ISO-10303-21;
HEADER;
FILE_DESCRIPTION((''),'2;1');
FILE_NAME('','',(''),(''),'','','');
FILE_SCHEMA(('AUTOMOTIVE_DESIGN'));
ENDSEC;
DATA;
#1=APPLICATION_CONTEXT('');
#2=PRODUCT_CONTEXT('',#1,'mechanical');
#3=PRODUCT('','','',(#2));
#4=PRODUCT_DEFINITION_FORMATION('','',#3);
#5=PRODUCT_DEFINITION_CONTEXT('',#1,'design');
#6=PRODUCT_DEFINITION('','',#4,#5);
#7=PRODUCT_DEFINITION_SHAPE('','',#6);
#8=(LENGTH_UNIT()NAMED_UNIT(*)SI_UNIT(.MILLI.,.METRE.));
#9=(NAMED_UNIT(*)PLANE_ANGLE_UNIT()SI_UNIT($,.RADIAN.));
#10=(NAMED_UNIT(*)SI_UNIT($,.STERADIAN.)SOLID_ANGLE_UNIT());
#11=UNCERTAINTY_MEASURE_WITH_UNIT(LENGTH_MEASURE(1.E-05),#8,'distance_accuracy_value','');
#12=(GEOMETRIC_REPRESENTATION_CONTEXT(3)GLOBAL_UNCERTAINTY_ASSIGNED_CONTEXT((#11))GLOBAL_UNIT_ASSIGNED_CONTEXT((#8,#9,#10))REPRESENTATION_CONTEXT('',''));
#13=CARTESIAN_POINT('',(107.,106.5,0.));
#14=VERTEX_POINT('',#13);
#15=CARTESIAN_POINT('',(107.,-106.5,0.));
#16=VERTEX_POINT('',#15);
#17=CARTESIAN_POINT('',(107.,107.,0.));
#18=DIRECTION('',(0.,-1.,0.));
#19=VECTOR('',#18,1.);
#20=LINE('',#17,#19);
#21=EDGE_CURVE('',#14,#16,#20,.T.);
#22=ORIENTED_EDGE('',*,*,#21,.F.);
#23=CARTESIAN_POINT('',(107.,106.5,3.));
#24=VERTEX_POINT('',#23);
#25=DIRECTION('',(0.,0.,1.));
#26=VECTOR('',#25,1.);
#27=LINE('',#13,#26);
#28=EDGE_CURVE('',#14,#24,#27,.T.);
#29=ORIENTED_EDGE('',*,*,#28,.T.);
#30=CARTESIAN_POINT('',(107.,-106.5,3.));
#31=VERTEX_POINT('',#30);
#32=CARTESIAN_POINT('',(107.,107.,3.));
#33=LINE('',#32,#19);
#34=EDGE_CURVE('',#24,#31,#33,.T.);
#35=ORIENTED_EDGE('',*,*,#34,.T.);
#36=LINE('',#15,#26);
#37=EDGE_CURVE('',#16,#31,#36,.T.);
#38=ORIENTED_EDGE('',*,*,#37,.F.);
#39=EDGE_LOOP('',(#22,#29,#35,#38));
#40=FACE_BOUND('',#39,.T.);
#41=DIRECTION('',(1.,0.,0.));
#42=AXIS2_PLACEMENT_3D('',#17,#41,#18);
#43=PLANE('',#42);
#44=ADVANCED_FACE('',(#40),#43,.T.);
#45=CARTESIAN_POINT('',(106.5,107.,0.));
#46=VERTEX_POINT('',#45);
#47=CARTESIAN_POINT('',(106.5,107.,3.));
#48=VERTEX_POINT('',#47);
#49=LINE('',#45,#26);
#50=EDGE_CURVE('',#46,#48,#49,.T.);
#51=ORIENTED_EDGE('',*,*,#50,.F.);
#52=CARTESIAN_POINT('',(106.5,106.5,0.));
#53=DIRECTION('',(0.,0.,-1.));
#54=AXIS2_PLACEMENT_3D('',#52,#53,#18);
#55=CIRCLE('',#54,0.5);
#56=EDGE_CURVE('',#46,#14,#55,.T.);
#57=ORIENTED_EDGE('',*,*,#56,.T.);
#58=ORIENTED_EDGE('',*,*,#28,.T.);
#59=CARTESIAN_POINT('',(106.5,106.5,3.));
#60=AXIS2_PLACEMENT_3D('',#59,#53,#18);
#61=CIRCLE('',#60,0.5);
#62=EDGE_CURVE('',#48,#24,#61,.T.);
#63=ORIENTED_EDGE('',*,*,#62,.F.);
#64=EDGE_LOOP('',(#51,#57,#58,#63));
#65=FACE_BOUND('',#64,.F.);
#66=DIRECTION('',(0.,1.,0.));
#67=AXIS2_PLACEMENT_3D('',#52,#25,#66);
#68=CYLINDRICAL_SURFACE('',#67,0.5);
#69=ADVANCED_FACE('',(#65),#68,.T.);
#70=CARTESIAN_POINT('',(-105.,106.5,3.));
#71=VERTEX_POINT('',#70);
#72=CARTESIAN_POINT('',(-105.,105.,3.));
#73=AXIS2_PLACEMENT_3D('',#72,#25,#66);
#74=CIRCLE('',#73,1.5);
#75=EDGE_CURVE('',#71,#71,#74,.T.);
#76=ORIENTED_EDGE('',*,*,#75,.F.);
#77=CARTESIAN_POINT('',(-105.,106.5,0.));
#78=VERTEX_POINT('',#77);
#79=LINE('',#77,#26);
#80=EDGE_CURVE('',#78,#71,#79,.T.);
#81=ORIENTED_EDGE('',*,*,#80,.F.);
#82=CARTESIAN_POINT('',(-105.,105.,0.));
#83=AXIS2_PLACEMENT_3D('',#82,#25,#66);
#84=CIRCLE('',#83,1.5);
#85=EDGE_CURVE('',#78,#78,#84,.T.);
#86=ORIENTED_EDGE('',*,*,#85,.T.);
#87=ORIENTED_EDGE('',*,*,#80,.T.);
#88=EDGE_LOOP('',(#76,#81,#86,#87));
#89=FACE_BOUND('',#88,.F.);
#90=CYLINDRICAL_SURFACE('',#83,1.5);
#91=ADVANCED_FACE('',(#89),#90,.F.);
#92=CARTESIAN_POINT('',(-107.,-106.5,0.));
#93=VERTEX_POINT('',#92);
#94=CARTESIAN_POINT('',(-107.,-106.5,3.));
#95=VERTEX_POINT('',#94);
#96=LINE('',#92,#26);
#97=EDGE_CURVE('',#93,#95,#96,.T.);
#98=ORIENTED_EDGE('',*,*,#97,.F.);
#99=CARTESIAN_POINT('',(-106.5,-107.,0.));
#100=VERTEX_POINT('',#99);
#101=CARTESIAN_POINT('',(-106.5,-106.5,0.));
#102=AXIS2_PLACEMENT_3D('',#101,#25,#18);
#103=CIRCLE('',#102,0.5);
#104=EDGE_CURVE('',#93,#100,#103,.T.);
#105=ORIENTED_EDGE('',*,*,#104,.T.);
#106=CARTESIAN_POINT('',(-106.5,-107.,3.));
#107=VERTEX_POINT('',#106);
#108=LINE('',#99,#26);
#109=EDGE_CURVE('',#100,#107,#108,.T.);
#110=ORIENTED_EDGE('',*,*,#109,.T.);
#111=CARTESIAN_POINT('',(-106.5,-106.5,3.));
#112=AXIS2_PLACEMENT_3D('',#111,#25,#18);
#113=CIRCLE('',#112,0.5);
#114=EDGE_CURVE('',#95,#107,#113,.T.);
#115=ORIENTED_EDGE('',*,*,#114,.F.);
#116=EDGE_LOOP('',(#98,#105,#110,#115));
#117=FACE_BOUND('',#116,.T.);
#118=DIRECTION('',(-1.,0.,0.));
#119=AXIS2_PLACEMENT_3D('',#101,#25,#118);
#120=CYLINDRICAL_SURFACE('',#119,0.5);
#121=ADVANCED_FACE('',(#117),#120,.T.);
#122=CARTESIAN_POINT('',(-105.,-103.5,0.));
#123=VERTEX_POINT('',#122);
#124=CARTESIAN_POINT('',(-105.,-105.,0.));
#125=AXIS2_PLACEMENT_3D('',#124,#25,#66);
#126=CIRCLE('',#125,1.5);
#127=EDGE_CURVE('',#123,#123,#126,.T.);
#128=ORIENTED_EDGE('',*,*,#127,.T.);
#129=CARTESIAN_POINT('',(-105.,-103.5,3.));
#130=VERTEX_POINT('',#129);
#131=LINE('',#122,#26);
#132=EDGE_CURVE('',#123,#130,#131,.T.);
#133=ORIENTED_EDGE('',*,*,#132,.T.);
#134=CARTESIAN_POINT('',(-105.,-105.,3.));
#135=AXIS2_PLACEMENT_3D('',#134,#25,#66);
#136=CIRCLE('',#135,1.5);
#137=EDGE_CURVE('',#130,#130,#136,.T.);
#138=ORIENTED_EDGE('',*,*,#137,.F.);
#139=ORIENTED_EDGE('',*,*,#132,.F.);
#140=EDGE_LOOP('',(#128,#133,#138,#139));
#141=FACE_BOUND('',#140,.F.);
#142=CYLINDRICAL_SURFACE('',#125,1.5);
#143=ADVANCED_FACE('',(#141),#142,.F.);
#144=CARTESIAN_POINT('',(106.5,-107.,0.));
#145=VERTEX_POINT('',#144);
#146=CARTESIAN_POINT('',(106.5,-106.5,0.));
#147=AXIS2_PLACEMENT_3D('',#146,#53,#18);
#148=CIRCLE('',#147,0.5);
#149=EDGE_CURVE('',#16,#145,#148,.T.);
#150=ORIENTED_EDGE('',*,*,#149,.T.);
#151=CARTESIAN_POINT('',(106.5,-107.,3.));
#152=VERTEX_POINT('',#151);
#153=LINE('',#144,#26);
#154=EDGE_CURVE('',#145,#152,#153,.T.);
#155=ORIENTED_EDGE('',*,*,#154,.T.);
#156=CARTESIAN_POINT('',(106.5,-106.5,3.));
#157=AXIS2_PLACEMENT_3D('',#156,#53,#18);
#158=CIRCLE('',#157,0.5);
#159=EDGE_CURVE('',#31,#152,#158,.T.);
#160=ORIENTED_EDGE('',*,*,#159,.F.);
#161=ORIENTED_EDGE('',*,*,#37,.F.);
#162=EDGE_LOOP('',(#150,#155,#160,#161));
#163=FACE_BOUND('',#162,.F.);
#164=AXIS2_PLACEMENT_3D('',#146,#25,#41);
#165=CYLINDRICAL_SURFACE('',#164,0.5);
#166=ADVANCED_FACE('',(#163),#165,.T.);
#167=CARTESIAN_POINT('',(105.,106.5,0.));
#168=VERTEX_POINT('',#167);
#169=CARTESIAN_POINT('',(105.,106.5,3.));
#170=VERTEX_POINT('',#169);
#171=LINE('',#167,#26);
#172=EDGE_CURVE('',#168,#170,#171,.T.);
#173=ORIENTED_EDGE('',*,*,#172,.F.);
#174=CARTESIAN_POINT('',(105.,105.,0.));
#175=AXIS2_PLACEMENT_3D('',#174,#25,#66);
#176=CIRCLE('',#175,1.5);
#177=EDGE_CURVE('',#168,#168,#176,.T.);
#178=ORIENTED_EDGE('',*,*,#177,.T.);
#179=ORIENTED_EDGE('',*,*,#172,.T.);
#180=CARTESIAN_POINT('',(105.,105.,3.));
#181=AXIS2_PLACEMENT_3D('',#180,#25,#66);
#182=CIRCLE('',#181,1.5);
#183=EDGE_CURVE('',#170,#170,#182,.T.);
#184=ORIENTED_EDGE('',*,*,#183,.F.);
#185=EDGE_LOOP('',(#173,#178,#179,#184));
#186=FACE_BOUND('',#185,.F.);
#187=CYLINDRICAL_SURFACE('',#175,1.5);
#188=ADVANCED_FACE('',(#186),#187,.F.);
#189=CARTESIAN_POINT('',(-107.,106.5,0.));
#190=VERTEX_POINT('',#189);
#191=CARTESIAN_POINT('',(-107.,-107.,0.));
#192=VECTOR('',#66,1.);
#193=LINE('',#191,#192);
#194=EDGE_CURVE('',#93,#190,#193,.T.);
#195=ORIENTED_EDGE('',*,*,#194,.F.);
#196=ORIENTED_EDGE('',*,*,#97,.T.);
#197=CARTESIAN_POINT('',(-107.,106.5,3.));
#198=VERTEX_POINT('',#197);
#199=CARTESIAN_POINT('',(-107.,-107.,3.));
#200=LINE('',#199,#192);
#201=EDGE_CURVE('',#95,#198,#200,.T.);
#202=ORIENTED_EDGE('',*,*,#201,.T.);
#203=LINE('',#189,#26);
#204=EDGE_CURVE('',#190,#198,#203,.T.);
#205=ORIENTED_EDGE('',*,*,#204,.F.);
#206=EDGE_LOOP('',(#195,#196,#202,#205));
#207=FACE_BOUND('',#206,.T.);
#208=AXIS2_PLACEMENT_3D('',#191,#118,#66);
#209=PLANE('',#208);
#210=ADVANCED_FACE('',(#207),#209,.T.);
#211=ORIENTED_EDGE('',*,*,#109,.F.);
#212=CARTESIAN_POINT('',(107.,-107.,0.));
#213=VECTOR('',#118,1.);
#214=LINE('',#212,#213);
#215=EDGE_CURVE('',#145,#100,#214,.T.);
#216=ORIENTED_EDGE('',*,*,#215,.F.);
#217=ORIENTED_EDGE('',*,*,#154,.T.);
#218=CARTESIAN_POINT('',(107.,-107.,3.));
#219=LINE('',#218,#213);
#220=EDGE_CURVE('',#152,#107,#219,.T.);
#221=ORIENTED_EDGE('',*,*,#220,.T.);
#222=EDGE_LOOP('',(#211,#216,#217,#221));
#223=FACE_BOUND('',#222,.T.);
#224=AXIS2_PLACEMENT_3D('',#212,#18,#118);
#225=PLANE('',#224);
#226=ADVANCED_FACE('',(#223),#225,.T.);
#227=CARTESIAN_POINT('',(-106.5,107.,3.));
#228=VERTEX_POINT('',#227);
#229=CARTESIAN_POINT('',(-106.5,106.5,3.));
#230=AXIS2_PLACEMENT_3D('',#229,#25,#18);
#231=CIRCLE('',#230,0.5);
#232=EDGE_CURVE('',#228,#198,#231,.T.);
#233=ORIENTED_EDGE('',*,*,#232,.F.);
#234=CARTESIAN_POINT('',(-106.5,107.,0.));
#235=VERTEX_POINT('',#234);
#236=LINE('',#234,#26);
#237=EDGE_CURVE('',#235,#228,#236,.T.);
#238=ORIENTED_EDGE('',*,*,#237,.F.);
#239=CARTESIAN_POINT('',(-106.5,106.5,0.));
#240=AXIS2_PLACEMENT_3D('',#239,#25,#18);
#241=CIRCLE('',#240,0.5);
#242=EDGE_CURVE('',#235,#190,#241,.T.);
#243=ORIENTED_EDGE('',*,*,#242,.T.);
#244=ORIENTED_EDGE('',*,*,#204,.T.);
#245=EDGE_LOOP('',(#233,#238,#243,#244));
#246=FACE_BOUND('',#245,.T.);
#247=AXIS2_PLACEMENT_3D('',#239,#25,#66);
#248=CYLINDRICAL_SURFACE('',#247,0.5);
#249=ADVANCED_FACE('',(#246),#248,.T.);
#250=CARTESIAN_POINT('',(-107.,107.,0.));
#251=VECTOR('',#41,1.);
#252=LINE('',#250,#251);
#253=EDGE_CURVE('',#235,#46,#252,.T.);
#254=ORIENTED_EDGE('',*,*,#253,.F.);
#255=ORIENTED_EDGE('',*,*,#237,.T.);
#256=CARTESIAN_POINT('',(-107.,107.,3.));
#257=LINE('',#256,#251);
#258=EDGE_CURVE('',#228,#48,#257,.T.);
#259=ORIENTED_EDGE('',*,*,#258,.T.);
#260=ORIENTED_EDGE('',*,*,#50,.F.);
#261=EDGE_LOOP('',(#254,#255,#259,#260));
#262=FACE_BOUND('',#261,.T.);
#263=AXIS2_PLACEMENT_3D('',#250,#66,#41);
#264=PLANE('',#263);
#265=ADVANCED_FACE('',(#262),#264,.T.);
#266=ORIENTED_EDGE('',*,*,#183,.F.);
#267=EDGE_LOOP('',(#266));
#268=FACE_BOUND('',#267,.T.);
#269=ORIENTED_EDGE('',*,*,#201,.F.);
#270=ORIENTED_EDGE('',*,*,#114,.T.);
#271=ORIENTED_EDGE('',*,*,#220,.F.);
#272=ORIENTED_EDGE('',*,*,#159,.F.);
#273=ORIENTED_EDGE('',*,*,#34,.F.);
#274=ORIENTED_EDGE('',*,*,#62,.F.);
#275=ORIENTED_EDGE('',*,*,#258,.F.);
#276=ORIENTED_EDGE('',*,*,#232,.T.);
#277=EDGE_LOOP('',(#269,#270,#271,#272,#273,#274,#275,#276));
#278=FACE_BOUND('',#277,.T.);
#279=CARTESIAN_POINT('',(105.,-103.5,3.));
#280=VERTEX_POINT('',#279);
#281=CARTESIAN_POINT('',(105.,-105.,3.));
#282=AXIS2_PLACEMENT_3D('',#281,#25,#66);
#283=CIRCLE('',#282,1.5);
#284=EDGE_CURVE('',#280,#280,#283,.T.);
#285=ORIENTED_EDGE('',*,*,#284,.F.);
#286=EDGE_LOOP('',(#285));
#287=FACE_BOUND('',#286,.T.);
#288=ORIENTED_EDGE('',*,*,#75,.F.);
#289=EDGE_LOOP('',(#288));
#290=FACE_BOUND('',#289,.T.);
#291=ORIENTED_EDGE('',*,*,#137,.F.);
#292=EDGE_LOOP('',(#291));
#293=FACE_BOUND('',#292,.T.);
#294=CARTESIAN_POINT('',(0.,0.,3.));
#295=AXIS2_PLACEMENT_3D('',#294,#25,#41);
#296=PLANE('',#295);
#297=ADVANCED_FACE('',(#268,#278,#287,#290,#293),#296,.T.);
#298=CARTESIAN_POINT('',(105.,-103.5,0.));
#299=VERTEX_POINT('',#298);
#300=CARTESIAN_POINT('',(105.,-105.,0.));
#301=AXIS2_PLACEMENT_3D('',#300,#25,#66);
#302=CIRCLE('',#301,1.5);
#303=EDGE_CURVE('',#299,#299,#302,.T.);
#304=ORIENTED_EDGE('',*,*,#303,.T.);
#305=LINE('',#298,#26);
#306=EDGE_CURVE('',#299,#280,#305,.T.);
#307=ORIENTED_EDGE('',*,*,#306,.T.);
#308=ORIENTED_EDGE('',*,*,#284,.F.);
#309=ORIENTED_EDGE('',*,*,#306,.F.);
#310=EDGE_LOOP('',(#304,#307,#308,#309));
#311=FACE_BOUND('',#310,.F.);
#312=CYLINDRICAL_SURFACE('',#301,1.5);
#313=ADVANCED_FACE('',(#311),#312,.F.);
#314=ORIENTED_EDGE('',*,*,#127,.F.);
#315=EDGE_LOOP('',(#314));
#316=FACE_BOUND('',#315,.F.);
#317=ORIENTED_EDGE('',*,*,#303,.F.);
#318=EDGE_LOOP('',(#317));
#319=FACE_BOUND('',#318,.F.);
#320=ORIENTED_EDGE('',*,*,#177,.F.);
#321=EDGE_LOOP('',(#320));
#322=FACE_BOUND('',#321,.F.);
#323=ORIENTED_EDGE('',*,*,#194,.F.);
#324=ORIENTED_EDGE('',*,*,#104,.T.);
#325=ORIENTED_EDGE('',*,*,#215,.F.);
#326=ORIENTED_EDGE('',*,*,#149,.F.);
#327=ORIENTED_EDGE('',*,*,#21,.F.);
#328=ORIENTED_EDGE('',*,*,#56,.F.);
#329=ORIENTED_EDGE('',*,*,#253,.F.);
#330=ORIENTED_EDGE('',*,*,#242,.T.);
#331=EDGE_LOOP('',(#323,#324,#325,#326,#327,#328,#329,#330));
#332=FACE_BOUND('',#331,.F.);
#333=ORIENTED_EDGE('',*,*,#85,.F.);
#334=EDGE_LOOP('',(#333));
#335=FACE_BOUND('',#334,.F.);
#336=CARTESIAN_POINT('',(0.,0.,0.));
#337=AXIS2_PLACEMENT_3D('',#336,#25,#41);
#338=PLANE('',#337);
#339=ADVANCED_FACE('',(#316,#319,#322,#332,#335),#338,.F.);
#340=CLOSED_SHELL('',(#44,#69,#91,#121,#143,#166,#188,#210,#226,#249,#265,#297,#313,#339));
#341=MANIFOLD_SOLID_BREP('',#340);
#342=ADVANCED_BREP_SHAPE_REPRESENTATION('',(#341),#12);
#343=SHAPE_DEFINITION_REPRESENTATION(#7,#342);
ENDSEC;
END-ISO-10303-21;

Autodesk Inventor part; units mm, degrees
ref_plane "YZ Plane" through (0, 0, 0) normal (1, 0, 0) x (0, 1, 0)
sketch "Sketch1" plane through (0, 0, 0) normal (0, 0, 1) x (1, 0, 0)
  line L0 (0, 0) -> (338.7718, 0) construction
  line L1 (0, 0) -> (0, 234.489) construction
  line L2 (-107, 107) -> (107, 107)
  line L3 (107, 107) -> (107, -107)
  line L4 (107, -107) -> (-107, -107)
  line L5 (-107, -107) -> (-107, 107)
  point P0 (107, 0)
  point P1 (0, 107)
  dimension "d0" = 214
  dimension "d1" = 214
extrude "Extrusion1" add sketch "Sketch1" along normal blind 3
sketch "Sketch2" plane through (0, 0, 0) normal (0, 0, -1) x (-1, 0, 0)
  line L0 (0, 0) -> (359.3191, 0) construction
  line L1 (0, 0) -> (0, 231.2713) construction
  line L2 (-105, 105) -> (105, 105) construction
  line L3 (105, 105) -> (105, -105) construction
  line L4 (105, -105) -> (-105, -105) construction
  line L5 (-105, -105) -> (-105, 105) construction
  point P0 (0, 105)
  point P1 (105, 0)
  dimension "d4" = 210
  dimension "d5" = 210
hole "Hole1" at (105, 105, 0) at (-105, 105, 0) at (-105, -105, 0) at (105, -105, 0) direction (0, 0, 1) diameter 3 end through all
fillet "Fillet1" radius 0.5 4 edges at (107, 107, 1.5) (-107, 107, 1.5) (-107, -107, 1.5) (107, -107, 1.5)
ref_plane "Work Plane1" through (0, -106.5, 0) normal (-1, 0, 0) x (0, 0, 1)
ref_plane "Work Plane2" through (-106.5, 0, 0) normal (0, -1, 0) x (1, 0, 0)
equation "\"d0\" = platform_width"
equation "\"d1\" = platform_depth"
equation "\"d4\" = hole_spacing_width"
equation "\"d5\" = hole_spacing_depth"
equation "\"platform_width\" = 214"
equation "\"platform_depth\" = 214"
equation "\"hole_spacing_width\" = 210"
equation "\"hole_spacing_depth\" = 210"
equation "\"d14\" = -0.5 * platform_width"
equation "\"d15\" = -0.5 * platform_depth"
equation "\"bed_cl_y_offset\" = 173.25"
properties part number "Heated Bed" material "Aluminum 6061"
